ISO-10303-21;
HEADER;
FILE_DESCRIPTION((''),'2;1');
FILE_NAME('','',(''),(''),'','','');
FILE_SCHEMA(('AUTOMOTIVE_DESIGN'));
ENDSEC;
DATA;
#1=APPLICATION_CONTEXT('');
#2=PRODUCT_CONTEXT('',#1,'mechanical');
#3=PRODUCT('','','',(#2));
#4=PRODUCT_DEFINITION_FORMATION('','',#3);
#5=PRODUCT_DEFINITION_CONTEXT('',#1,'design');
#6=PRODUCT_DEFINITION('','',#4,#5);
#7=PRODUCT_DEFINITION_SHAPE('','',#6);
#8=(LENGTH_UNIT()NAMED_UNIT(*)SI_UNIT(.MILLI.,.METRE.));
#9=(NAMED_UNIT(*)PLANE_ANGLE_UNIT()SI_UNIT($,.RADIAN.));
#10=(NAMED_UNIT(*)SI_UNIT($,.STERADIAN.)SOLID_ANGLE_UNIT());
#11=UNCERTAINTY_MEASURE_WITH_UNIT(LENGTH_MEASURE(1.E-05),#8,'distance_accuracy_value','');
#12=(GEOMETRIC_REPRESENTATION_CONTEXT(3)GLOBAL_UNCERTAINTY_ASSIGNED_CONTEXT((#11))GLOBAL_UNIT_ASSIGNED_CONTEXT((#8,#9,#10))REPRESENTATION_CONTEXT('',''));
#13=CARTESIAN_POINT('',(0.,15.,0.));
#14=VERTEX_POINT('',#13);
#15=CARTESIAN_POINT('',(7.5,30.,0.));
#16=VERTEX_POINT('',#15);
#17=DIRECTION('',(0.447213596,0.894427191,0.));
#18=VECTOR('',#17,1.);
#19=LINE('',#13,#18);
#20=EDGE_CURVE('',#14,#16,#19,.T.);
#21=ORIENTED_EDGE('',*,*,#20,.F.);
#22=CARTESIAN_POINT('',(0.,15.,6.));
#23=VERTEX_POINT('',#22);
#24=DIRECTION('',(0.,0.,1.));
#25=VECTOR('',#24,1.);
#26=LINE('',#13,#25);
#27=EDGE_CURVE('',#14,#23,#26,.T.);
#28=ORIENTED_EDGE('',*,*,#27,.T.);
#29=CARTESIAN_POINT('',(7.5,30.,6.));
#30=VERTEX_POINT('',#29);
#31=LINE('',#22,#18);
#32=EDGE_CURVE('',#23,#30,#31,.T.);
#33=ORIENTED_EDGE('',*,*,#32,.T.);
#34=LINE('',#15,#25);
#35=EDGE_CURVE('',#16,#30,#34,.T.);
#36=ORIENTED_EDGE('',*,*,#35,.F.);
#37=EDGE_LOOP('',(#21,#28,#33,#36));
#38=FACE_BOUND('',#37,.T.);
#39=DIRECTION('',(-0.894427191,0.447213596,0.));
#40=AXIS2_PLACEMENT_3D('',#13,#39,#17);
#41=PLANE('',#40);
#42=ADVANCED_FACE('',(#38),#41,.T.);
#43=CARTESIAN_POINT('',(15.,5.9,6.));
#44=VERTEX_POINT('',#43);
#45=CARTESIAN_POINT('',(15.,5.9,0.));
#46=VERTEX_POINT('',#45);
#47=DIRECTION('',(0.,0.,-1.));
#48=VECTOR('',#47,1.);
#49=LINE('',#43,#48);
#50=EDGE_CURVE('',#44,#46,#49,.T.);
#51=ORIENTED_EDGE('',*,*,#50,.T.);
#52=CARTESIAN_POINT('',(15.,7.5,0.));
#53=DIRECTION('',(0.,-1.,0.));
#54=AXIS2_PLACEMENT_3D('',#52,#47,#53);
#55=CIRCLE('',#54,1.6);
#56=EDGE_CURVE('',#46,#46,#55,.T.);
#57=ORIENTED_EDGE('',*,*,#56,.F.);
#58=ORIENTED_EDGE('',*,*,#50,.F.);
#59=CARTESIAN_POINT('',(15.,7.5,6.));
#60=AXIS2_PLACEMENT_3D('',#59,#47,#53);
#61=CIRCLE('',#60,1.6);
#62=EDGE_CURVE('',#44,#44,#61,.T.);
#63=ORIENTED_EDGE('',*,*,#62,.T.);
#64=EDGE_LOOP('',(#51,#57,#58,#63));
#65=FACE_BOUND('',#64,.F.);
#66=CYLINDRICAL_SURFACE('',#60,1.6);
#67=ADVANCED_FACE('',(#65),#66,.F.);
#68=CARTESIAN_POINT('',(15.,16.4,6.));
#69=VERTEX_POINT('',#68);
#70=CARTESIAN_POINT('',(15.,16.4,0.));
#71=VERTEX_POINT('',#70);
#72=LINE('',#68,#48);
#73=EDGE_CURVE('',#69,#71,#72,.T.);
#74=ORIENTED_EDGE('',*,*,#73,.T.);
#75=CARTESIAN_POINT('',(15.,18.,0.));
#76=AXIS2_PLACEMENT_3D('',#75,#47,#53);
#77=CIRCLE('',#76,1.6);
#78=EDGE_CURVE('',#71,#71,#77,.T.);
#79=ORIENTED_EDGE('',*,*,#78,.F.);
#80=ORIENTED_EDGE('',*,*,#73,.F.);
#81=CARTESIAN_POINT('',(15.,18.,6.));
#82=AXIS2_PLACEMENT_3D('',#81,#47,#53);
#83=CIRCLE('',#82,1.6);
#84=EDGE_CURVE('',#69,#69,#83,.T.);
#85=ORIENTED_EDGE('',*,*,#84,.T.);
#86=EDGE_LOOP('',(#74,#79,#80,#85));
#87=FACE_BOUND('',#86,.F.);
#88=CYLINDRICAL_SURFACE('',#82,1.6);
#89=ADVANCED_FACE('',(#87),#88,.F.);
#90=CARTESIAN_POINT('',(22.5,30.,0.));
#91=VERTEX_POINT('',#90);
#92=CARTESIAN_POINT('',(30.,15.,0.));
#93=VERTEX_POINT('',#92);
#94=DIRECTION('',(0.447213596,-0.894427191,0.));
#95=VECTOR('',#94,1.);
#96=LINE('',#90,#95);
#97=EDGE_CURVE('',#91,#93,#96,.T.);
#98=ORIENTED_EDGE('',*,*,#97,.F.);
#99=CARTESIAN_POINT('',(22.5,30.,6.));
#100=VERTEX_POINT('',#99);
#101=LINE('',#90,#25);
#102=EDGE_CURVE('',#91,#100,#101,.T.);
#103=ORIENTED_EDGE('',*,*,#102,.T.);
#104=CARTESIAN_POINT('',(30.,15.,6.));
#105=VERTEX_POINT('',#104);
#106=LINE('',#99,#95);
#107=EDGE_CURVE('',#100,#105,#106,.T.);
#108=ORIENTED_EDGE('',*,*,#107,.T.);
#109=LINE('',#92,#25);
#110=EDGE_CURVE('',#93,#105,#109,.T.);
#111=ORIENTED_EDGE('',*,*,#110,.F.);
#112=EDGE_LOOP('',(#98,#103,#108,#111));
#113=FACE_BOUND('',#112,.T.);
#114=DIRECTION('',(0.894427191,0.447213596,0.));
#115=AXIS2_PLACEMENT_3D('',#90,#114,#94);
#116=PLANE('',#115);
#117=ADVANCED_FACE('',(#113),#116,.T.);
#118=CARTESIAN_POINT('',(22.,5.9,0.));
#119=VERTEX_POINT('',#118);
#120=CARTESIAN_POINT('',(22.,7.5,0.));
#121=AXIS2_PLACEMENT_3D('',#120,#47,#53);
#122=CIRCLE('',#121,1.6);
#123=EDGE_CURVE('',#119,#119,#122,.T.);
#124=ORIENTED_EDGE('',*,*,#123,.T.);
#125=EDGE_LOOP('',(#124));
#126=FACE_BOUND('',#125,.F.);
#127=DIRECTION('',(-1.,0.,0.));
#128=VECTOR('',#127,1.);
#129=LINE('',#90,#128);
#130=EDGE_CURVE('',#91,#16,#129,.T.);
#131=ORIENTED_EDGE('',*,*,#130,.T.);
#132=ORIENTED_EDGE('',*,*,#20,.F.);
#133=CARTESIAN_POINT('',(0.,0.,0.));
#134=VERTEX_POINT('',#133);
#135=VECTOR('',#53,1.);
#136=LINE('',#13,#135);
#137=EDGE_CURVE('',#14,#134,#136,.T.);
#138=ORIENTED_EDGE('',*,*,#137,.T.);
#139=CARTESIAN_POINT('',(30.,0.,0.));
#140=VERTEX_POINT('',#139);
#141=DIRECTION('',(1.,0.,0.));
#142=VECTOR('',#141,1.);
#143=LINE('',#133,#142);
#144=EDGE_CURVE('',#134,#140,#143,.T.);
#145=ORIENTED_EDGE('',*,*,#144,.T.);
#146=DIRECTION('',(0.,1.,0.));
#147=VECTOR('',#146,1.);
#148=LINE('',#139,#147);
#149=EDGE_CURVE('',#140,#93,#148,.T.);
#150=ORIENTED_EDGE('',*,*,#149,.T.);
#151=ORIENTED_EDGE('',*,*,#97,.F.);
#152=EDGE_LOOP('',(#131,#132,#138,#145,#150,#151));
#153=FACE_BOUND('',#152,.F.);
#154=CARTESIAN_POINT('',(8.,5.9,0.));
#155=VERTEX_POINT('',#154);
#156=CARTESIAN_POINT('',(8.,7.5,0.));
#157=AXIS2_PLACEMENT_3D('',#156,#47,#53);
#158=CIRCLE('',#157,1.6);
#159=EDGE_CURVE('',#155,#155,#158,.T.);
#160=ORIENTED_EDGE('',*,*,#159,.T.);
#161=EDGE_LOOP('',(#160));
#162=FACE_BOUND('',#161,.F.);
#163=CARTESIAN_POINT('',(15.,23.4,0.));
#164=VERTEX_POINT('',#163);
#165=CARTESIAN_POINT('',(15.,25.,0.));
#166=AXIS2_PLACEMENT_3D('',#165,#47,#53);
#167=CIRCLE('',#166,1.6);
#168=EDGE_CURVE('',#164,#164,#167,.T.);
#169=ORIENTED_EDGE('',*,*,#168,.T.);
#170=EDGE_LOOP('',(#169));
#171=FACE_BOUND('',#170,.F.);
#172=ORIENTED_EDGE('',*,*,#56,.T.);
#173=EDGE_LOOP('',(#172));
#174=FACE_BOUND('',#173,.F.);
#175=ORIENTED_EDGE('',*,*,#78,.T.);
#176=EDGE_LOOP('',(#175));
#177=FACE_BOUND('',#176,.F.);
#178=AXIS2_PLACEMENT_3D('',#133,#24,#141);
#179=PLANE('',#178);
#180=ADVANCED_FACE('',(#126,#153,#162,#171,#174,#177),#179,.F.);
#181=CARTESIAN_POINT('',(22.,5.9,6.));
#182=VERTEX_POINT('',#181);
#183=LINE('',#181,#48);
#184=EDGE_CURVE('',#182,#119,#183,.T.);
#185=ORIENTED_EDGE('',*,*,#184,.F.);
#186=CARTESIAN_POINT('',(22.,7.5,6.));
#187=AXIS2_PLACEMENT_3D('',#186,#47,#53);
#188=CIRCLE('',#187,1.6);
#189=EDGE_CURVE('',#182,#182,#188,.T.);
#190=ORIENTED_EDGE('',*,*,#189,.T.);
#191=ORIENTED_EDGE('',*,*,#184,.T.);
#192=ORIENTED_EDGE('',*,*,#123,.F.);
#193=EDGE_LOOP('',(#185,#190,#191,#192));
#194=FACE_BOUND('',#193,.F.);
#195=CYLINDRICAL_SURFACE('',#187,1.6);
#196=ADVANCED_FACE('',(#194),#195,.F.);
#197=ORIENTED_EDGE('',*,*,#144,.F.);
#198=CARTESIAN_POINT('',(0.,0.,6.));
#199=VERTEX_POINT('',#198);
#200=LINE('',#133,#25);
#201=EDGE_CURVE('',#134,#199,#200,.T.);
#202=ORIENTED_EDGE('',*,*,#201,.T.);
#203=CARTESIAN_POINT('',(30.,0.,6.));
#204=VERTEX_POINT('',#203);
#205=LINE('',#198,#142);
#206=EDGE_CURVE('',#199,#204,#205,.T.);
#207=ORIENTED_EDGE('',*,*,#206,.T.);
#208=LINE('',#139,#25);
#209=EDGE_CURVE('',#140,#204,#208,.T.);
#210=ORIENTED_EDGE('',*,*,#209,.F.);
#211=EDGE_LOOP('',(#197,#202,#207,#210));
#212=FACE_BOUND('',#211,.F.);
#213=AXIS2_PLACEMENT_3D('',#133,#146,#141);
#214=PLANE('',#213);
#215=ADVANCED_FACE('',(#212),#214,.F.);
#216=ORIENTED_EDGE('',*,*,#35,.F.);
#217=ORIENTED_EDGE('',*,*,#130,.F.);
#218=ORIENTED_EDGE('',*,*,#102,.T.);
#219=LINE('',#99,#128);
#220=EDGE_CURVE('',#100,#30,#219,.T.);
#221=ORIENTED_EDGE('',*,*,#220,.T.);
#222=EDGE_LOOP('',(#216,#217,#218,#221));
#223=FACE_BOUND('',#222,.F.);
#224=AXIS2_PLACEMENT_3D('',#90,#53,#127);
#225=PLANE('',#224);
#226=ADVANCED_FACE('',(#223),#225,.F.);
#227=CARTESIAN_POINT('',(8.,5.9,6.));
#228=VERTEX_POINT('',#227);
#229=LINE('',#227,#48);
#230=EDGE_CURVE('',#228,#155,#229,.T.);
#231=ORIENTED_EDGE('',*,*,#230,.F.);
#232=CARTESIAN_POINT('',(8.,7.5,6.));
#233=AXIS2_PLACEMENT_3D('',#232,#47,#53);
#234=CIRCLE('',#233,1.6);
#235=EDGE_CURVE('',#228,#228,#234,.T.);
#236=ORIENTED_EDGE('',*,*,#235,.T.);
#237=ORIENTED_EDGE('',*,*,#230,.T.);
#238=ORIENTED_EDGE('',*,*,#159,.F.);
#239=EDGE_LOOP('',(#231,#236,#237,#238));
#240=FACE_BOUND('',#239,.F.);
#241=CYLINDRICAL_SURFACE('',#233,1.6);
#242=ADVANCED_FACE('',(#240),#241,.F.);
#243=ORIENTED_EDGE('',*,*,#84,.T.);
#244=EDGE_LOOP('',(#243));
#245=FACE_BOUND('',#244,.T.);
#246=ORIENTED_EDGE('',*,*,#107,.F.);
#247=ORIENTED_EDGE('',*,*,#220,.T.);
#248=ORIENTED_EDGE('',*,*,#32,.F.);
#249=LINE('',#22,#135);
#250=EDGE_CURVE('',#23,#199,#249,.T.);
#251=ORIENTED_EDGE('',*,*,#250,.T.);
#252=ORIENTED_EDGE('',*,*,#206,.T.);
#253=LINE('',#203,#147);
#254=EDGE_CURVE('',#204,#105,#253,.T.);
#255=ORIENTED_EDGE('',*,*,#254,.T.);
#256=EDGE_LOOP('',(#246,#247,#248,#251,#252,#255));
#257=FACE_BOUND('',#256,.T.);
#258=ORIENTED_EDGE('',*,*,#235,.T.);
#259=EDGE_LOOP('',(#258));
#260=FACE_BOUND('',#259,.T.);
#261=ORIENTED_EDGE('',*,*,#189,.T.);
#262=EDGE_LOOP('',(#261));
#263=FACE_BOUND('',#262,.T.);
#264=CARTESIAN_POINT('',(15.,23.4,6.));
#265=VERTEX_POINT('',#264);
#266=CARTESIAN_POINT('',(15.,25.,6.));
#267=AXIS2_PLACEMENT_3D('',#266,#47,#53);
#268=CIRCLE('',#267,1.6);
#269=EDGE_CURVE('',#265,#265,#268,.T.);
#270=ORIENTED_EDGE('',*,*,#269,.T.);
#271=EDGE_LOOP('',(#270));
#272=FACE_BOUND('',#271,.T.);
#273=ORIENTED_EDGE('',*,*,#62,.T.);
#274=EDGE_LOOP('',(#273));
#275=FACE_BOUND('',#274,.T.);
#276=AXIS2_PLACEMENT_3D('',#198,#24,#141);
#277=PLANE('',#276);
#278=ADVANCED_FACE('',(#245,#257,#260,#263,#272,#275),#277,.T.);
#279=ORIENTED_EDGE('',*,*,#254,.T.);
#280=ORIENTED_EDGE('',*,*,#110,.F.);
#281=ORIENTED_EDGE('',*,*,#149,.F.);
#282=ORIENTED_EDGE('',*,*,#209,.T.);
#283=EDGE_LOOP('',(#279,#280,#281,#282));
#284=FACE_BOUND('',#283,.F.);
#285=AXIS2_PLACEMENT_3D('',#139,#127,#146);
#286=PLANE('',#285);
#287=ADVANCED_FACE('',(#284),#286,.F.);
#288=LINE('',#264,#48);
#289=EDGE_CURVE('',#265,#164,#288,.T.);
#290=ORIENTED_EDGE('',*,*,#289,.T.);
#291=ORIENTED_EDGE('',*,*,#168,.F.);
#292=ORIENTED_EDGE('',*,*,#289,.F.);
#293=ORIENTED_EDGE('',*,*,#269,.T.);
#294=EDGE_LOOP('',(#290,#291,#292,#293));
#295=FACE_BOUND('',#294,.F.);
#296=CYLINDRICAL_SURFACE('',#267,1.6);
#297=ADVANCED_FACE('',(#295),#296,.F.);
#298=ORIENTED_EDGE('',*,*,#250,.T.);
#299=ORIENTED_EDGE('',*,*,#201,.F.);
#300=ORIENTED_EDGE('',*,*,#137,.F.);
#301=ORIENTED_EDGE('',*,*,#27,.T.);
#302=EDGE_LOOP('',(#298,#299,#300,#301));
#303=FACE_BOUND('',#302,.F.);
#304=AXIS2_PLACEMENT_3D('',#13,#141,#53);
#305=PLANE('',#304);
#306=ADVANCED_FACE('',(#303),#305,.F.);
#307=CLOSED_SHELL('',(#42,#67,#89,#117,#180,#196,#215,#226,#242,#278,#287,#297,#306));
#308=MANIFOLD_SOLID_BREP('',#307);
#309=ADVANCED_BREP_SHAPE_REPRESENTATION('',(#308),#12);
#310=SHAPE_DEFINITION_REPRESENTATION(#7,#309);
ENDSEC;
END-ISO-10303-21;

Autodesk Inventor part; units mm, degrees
ref_plane "YZ Plane" through (0, 0, 0) normal (1, 0, 0) x (0, 1, 0)
ref_plane "XZ Plane" through (0, 0, 0) normal (0, 1, 0) x (-1, 0, 0)
ref_plane "XY Plane" through (0, 0, 0) normal (0, 0, 1) x (1, 0, 0)
sketch "スケッチ1" plane through (0, 0, 0) normal (0, 0, 1) x (1, 0, 0)
  line L0 (0, 0) -> (30, 0)
  line L1 (30, 0) -> (30, 15)
  line L2 (22.5, 30) -> (7.5, 30)
  line L3 (0, 15) -> (0, 0)
  line L4 (0, 15) -> (7.5, 30)
  line L5 (22.5, 30) -> (30, 15)
  dimension "d2" = 15
  dimension "d5" = 15
  dimension "d6" = 15
  dimension "d7" = 26.565
  dimension "d8" = 26.565
extrude "押し出し1" add sketch "スケッチ1" along normal blind 6
sketch "スケッチ2" plane through (0, 0, 6) normal (0, 0, 1) x (1, 0, 0)
  circle A0 centre (15, 7.5) radius 1.6
  line L0 (0, 0) -> (30, 0) projected
  line L1 (0, 15) -> (0, 0) projected
  circle A1 centre (8, 7.5) radius 1.6
  circle A2 centre (22, 7.5) radius 1.6
  circle A3 centre (15, 25) radius 1.6
  line L2 (22.5, 30) -> (7.5, 30) projected
  circle A4 centre (15, 18) radius 1.6
  dimension "d11" = 3.2
  dimension "d12" = 7.5
  dimension "d13" = 15
  dimension "d14" = 3.2
  dimension "d15" = 3.2
  dimension "d16" = 7
  dimension "d17" = 7
  dimension "d18" = 3.2
  dimension "d19" = 5
  dimension "d20" = 3.2
  dimension "d21" = 7
hole "穴1" at (15, 18, 6) at (15, 25, 6) at (8, 7.5, 6) at (15, 7.5, 6) at (22, 7.5, 6) direction (0, 0, -1) diameter 3.2 depth 6
equation "\"BendRadius\" = Thickness"
equation "\"BendReliefWidth\" = Thickness"
equation "\"BendReliefDepth\" = 0.5 * Thickness"
equation "\"CornerReliefSize\" = 4 * Thickness"
equation "\"MinimumRemnant\" = 2 * Thickness"
equation "\"TransitionRadius\" = BendRadius"
equation "\"JacobiRadiusSize\" = BendRadius"
equation "\"GapSize\" = Thickness"
equation "\"Thickness\" = 0.5"
properties part number "nhk47"
